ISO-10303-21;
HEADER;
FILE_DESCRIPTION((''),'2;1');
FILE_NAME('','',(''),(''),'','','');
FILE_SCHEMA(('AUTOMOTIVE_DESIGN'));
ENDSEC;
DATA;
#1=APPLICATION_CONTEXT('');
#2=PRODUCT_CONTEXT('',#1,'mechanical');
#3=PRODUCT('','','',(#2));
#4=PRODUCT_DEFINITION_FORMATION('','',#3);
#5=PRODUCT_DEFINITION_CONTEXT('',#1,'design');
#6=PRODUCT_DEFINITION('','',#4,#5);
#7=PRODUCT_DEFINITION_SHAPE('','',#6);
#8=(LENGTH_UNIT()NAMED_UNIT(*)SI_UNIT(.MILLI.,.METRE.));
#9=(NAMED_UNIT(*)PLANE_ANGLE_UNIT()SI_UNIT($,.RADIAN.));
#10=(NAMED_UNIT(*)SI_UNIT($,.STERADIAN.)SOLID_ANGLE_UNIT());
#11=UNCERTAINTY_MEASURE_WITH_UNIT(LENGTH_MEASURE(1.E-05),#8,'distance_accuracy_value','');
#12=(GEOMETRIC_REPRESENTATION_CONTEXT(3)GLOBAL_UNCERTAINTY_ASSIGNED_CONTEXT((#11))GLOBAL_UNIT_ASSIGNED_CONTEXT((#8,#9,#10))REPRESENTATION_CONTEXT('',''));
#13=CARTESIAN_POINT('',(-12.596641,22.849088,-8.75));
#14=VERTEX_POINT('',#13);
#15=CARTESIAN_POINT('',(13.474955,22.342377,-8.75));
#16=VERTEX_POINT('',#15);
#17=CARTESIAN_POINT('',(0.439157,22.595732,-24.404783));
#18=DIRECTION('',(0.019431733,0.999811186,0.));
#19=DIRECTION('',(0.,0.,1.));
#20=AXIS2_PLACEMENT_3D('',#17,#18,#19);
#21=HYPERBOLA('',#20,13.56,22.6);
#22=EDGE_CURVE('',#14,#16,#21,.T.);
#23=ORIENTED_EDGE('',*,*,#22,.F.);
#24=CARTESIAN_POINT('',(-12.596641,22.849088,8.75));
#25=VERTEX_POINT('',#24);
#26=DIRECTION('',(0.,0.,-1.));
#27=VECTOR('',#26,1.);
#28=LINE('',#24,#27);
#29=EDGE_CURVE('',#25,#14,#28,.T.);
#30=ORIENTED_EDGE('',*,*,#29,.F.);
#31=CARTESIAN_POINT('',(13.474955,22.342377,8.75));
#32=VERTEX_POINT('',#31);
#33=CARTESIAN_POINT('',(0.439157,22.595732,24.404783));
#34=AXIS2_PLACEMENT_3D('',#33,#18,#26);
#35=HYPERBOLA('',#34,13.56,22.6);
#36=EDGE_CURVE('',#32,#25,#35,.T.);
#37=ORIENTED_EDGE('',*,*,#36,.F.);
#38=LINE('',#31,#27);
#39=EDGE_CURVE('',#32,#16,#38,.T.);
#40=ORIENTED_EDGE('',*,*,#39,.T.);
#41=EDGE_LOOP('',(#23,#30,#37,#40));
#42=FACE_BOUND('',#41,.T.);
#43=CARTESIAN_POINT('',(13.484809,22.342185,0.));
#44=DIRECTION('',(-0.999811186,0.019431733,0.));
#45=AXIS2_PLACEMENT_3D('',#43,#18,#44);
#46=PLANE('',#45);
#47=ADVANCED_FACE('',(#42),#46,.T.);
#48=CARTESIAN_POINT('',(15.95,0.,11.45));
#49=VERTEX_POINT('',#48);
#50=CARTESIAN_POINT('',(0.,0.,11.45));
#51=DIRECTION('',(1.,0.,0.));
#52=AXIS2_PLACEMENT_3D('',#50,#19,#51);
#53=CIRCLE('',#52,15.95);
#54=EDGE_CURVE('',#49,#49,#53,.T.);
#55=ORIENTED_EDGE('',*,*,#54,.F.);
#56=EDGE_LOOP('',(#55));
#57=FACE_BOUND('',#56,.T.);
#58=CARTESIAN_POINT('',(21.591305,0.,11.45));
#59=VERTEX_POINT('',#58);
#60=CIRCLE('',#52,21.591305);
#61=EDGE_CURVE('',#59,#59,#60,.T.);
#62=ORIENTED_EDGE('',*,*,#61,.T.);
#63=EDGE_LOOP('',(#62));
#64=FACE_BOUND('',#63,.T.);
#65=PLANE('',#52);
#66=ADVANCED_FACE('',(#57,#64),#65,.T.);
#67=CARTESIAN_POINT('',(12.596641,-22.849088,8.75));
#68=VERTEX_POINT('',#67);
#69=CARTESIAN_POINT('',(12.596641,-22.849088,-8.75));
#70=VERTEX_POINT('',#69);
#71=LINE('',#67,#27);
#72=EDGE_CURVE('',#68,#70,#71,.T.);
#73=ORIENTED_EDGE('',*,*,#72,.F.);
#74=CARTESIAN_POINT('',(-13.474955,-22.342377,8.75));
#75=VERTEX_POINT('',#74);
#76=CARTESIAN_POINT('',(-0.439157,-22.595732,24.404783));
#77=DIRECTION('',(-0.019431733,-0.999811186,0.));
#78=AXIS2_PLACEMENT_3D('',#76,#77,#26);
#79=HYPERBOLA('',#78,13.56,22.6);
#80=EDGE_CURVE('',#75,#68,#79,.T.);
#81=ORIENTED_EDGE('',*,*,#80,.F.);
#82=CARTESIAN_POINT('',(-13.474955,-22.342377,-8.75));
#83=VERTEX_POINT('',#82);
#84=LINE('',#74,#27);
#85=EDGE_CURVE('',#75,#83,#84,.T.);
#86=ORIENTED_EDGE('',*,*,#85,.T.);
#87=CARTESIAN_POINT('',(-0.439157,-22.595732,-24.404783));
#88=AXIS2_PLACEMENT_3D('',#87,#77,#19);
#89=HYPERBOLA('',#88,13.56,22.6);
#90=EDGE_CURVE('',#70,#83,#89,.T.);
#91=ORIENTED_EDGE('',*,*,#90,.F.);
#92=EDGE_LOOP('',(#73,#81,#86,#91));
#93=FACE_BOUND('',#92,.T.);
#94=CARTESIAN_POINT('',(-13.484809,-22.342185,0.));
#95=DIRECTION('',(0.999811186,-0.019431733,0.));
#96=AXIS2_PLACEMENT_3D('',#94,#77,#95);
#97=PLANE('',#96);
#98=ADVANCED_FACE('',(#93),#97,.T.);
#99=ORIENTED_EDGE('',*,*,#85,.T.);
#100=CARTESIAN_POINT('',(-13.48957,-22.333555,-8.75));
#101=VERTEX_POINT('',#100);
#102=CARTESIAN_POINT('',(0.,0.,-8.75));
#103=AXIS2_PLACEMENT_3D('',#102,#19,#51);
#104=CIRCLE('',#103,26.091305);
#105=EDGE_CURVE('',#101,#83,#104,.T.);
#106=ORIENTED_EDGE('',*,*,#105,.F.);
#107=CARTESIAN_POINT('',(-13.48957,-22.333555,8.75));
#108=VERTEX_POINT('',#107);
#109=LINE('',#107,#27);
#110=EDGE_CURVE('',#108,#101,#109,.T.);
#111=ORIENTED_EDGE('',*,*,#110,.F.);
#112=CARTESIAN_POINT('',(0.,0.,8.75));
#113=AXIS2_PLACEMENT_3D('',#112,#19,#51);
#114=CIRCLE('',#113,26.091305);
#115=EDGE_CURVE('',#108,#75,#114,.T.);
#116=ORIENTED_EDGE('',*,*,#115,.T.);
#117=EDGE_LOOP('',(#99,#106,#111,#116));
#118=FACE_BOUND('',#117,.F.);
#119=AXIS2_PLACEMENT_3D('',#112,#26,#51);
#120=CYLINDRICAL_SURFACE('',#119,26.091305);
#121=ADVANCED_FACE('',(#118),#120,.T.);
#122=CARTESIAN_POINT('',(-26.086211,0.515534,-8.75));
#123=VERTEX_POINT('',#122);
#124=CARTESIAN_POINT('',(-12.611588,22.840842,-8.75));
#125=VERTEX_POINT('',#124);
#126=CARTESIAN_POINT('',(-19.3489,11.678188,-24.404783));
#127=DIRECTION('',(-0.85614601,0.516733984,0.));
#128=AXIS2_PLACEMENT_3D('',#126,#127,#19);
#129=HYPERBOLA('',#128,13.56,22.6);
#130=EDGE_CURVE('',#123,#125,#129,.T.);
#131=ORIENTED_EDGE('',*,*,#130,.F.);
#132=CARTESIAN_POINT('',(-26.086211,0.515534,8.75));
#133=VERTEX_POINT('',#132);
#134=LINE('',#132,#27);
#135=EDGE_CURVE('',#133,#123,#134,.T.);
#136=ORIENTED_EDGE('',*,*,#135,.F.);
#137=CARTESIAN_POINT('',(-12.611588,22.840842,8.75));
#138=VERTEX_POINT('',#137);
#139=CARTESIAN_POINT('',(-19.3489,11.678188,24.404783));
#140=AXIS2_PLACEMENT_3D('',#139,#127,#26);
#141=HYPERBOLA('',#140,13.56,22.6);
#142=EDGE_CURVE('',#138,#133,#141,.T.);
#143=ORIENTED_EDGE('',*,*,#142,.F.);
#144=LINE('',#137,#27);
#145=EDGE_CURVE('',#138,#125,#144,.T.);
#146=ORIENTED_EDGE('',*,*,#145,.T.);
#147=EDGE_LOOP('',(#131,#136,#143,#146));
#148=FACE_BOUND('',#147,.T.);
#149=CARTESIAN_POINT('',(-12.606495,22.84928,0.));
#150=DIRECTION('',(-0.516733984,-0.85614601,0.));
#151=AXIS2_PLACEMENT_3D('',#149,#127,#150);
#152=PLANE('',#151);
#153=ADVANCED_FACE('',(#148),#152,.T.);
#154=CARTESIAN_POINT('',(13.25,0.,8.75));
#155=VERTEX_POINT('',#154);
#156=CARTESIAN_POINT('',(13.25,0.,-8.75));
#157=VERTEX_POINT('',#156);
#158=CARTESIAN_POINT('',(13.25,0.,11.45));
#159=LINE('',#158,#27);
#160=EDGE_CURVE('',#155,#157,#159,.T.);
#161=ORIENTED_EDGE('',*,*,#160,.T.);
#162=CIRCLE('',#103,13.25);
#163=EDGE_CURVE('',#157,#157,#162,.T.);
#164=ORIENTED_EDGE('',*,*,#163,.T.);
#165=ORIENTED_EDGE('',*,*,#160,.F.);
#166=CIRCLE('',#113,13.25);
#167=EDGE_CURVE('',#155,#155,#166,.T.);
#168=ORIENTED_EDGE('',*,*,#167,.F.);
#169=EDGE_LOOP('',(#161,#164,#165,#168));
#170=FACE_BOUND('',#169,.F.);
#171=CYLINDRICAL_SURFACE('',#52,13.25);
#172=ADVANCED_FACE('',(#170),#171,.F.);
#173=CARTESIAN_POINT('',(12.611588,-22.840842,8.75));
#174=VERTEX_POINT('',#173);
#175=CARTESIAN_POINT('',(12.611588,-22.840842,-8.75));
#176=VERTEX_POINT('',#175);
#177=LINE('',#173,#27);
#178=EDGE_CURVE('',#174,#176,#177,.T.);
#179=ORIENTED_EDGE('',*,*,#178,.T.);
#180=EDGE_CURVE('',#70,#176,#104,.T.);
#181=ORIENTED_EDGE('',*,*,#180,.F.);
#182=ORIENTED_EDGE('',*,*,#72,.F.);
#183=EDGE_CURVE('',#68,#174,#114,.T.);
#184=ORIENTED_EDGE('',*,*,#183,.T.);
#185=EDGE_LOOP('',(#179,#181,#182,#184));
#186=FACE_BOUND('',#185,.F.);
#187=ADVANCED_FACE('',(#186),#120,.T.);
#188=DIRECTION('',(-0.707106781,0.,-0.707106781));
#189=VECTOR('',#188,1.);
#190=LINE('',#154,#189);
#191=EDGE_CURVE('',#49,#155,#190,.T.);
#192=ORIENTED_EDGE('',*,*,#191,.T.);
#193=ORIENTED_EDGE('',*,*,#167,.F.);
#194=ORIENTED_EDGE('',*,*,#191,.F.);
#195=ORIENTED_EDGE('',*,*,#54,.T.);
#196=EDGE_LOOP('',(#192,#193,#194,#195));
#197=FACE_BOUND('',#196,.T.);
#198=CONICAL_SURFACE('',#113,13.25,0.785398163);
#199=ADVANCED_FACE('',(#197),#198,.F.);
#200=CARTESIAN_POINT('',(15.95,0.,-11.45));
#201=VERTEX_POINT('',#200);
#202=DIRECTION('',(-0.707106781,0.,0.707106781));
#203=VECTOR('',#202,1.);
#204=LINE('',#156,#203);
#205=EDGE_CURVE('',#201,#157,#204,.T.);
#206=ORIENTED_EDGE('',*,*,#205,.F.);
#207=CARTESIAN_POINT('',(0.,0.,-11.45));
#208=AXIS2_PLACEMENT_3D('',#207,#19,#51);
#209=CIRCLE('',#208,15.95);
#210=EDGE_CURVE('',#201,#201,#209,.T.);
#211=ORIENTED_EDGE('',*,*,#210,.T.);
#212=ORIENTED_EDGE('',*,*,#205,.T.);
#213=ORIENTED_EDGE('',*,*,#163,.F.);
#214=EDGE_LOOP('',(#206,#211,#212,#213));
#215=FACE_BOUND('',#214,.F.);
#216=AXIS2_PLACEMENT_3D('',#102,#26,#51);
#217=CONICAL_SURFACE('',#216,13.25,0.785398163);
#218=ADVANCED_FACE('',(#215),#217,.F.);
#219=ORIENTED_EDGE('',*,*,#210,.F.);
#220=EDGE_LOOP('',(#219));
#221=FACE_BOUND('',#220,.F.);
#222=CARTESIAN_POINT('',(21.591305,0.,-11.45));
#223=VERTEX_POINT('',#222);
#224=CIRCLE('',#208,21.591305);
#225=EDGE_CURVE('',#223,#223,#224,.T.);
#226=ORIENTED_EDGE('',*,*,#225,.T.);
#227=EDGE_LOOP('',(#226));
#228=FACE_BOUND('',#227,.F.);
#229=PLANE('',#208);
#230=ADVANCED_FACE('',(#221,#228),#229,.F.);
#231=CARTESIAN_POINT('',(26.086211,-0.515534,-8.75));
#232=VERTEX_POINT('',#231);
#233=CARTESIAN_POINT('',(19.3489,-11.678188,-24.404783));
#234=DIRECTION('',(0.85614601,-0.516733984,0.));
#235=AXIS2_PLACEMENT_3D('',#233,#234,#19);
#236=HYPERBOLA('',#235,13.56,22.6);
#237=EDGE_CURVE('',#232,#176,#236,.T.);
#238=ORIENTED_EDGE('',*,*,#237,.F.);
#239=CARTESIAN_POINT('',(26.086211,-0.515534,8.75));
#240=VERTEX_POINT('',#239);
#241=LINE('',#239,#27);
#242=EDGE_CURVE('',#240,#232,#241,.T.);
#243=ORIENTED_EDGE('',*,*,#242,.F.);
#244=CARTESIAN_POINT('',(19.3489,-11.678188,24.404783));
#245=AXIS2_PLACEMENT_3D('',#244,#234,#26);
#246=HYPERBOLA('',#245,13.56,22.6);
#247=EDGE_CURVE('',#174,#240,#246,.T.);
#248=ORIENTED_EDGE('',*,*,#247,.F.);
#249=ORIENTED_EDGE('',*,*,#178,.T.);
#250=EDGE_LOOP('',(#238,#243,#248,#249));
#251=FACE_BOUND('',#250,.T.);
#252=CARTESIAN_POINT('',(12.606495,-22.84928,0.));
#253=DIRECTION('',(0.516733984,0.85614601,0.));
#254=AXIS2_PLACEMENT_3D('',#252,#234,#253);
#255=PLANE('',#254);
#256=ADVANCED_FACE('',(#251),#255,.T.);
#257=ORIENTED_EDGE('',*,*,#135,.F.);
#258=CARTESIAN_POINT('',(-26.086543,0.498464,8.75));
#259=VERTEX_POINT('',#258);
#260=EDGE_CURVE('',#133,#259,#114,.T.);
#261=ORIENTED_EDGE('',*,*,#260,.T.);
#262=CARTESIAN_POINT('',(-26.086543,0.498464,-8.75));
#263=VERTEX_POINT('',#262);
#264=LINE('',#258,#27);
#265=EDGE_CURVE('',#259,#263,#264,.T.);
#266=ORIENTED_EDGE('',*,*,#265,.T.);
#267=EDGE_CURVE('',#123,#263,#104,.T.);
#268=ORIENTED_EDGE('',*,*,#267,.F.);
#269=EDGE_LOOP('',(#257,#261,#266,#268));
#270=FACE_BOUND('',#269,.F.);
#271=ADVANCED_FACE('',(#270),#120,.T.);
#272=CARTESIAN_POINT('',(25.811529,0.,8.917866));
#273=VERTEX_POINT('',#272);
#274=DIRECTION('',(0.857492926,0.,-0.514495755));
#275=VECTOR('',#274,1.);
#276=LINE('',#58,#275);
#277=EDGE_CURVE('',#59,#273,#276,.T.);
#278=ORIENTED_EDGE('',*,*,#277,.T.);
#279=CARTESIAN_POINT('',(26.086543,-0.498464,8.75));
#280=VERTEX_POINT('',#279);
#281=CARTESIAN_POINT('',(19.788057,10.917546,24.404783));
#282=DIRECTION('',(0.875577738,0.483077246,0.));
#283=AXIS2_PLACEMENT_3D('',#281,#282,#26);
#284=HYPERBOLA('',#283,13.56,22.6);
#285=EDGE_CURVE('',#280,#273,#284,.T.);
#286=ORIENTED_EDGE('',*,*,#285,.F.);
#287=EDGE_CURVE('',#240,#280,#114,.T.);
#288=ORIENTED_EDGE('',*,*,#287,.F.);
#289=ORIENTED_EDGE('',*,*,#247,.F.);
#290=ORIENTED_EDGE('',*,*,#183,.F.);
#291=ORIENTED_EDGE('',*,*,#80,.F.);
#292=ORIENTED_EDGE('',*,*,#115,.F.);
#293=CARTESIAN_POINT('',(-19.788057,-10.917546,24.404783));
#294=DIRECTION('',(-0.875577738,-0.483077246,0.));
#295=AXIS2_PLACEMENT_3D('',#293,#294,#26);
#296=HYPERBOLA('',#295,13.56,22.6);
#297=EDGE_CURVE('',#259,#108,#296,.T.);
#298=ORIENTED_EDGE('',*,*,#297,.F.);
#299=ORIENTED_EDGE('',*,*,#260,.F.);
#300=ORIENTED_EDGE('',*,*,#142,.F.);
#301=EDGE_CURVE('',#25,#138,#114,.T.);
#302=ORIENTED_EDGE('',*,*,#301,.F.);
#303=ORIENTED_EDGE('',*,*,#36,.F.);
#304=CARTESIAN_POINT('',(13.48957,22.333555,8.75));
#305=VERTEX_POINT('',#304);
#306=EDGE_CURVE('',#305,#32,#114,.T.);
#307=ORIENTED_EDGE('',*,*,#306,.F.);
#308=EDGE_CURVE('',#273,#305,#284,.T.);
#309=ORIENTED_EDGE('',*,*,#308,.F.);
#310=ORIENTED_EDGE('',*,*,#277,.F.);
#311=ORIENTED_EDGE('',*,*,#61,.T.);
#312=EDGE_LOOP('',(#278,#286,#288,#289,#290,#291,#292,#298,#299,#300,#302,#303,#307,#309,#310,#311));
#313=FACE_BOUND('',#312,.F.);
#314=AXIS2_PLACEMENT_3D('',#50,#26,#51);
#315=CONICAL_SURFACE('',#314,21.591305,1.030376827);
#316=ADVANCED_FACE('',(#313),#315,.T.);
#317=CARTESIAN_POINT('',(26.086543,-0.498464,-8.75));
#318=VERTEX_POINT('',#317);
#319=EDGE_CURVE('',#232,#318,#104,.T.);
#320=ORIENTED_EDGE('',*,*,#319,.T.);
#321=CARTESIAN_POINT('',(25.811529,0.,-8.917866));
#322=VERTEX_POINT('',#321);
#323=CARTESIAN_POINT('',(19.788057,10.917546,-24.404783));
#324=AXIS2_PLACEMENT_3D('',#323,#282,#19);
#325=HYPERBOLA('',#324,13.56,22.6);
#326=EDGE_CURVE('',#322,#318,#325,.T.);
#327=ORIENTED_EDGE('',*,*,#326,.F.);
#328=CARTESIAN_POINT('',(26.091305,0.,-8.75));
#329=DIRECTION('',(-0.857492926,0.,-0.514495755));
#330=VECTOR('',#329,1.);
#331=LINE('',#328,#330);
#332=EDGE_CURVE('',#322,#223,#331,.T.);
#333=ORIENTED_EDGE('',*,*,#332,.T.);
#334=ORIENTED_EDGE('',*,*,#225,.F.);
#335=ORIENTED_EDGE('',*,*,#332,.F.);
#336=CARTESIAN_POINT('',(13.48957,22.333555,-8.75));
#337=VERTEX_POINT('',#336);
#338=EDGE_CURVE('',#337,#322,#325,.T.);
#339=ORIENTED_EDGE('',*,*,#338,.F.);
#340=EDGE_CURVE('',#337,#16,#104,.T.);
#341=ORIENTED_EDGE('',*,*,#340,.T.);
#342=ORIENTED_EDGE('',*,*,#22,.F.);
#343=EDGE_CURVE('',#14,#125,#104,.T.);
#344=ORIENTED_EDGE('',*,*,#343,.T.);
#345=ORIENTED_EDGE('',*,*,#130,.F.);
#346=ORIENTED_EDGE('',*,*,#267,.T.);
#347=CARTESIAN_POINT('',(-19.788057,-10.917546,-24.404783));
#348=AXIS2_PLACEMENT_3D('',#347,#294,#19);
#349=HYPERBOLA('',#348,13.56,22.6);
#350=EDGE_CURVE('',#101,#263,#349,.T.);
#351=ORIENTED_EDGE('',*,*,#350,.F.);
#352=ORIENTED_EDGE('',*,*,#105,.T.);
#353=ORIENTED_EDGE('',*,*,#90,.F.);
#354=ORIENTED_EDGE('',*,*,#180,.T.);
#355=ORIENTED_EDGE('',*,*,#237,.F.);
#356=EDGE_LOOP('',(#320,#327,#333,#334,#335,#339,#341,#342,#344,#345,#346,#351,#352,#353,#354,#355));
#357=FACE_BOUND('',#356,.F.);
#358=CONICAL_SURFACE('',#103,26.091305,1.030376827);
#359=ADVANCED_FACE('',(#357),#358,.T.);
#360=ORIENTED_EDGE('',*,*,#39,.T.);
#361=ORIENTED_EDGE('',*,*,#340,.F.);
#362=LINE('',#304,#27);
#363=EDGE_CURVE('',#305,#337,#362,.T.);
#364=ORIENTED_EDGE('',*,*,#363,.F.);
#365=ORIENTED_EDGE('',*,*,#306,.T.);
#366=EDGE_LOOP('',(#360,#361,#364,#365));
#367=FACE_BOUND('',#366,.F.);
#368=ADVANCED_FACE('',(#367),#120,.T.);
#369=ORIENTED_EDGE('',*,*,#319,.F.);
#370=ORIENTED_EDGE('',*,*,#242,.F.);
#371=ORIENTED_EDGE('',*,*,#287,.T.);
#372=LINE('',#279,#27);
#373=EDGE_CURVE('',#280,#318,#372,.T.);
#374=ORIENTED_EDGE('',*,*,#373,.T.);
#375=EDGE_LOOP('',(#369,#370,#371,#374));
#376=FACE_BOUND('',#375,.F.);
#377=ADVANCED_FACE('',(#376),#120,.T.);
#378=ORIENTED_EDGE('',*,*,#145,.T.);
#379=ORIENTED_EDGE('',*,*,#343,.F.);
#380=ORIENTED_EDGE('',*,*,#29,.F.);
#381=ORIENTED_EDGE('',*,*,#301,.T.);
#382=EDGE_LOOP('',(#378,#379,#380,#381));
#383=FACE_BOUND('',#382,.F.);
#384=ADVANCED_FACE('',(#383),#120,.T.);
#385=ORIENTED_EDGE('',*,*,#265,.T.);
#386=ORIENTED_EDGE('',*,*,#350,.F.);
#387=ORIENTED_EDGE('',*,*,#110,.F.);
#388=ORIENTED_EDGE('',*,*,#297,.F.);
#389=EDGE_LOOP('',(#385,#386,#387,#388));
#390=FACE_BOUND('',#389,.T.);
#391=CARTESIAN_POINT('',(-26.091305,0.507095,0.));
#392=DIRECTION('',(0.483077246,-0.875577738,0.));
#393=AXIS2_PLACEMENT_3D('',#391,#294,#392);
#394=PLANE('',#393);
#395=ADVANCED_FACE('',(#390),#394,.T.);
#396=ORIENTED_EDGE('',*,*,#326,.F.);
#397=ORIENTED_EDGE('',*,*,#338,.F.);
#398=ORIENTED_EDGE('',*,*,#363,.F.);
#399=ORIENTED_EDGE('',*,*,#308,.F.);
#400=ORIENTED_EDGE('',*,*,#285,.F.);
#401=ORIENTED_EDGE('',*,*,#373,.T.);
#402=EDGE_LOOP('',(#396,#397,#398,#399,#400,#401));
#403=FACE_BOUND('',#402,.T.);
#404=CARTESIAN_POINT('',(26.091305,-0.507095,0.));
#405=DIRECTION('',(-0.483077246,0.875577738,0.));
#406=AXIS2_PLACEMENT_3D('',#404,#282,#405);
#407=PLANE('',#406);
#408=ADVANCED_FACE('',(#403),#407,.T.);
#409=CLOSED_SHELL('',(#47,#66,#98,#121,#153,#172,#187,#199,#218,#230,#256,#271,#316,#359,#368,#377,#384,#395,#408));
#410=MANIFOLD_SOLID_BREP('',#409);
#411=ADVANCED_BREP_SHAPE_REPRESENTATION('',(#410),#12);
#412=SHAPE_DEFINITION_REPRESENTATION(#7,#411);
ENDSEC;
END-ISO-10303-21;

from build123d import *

# Parameters (mm, degrees)
F1_DEPTH = 11.45
F2_R     = 13.25
F3_DEPTH = 22.901
F6_SIZE  = 2.7


with BuildPart() as f1:
    # F0 (on Top) → F1 (new body, symmetric)
    with BuildSketch(Plane.XY):
        Polygon((12.606495, -22.84928), (26.091305, -0.507095), (13.484809, 22.342185), (-12.606495, 22.84928), (-26.091305, 0.507095), (-13.484809, -22.342185), align=None)
    extrude(amount=F1_DEPTH, both=True)

    # F2 (on face) → F3 (cut, through all)
    with BuildSketch(Plane.XY.offset(11.45)):
        Circle(F2_R)
    extrude(amount=-F3_DEPTH, mode=Mode.SUBTRACT)

    # F4 (on Front) → F5 (revolve, cut)
    with BuildSketch(Plane.XZ):
        Polygon((34.293845, 11.45), (21.591305, 11.45), (26.091305, 8.75), (26.091305, -8.75), (21.591305, -11.45), (34.293845, -11.45), align=None)
    revolve(axis=Axis((0, 0, 11.45), (0, 0, 1)), mode=Mode.SUBTRACT)

    # F6
    f6_edges = [f1.edges().sort_by_distance(p)[0] for p in [
        (-13.25, 0, 11.45),
        (-13.25, 0, -11.45),
    ]]
    chamfer(f6_edges, length=F6_SIZE)


solid = f1.part
